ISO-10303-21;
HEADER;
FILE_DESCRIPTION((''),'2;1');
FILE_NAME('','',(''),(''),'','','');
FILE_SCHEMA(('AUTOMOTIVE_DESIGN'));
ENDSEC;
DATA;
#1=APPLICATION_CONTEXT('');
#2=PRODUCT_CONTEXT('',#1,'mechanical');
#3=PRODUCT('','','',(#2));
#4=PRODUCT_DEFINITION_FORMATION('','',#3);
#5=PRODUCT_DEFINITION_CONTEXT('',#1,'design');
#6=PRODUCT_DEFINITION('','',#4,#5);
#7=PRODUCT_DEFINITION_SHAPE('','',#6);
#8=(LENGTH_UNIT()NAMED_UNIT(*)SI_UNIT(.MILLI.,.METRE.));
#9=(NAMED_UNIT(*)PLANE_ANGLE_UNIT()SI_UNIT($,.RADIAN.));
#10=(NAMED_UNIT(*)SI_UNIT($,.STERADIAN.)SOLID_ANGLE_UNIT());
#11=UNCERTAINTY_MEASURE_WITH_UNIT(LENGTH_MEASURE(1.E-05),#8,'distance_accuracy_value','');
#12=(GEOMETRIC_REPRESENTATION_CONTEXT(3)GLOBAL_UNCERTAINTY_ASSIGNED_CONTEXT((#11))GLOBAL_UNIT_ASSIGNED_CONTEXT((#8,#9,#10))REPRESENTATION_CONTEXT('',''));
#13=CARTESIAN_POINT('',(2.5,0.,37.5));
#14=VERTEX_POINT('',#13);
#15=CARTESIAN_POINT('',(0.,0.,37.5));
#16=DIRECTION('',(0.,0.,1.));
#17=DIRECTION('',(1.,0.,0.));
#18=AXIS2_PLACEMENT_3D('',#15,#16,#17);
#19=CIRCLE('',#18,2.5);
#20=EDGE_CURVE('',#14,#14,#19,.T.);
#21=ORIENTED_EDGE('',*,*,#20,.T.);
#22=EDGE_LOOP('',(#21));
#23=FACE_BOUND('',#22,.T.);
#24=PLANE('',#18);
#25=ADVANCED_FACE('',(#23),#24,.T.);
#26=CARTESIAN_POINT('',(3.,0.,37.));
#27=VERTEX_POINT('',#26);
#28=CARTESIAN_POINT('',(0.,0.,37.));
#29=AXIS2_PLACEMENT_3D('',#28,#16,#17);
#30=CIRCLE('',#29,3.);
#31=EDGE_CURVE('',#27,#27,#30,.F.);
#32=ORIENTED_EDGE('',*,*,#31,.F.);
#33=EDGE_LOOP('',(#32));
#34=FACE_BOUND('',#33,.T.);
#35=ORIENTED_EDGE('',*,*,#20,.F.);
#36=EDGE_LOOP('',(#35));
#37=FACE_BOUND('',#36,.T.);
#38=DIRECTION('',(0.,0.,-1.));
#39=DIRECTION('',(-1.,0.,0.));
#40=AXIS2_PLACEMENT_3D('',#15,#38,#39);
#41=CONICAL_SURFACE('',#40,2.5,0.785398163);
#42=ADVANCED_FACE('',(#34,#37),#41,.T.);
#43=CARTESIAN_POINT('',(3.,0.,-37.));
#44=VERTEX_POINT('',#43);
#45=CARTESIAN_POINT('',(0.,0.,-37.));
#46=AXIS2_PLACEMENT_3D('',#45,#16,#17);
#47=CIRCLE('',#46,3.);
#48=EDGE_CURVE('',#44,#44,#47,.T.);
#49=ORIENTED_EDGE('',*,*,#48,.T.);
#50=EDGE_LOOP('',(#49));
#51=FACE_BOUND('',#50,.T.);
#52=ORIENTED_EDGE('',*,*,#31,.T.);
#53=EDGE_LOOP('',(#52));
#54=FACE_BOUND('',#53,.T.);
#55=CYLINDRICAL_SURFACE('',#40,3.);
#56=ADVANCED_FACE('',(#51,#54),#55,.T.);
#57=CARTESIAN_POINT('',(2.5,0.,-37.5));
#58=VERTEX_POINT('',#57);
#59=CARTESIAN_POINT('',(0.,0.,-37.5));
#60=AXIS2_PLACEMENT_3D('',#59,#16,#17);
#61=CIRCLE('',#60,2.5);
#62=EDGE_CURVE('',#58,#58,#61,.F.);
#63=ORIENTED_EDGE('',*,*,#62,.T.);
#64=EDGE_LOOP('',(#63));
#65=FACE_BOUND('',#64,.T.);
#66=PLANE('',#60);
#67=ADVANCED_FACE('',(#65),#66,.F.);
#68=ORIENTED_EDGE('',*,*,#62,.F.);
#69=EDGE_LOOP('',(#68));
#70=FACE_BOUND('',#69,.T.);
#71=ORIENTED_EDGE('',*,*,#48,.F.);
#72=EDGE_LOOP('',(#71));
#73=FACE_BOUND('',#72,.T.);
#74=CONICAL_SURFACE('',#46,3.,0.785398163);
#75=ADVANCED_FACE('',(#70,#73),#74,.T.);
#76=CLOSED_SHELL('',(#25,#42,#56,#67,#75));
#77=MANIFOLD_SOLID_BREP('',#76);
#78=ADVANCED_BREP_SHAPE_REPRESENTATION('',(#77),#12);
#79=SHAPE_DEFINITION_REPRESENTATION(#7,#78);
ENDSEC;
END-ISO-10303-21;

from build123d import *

# Parameters (mm, degrees)
SKETCH_1_R      = 3
EXTRUDE_1_DEPTH = 37.5
CHAMFER_1_SIZE  = 0.5


with BuildPart() as part:
    # 草图1 → 凸台-拉伸1 (new, symmetric)
    with BuildSketch(Plane.XY):
        Circle(SKETCH_1_R)
    extrude(amount=EXTRUDE_1_DEPTH, both=True)

    # 倒角1
    chamfer_1_edges = [part.edges().sort_by_distance(p)[0] for p in [
        (-3, 0, -37.5),
        (-3, 0, 37.5),
    ]]
    chamfer(chamfer_1_edges, length=CHAMFER_1_SIZE)


solid = part.part
